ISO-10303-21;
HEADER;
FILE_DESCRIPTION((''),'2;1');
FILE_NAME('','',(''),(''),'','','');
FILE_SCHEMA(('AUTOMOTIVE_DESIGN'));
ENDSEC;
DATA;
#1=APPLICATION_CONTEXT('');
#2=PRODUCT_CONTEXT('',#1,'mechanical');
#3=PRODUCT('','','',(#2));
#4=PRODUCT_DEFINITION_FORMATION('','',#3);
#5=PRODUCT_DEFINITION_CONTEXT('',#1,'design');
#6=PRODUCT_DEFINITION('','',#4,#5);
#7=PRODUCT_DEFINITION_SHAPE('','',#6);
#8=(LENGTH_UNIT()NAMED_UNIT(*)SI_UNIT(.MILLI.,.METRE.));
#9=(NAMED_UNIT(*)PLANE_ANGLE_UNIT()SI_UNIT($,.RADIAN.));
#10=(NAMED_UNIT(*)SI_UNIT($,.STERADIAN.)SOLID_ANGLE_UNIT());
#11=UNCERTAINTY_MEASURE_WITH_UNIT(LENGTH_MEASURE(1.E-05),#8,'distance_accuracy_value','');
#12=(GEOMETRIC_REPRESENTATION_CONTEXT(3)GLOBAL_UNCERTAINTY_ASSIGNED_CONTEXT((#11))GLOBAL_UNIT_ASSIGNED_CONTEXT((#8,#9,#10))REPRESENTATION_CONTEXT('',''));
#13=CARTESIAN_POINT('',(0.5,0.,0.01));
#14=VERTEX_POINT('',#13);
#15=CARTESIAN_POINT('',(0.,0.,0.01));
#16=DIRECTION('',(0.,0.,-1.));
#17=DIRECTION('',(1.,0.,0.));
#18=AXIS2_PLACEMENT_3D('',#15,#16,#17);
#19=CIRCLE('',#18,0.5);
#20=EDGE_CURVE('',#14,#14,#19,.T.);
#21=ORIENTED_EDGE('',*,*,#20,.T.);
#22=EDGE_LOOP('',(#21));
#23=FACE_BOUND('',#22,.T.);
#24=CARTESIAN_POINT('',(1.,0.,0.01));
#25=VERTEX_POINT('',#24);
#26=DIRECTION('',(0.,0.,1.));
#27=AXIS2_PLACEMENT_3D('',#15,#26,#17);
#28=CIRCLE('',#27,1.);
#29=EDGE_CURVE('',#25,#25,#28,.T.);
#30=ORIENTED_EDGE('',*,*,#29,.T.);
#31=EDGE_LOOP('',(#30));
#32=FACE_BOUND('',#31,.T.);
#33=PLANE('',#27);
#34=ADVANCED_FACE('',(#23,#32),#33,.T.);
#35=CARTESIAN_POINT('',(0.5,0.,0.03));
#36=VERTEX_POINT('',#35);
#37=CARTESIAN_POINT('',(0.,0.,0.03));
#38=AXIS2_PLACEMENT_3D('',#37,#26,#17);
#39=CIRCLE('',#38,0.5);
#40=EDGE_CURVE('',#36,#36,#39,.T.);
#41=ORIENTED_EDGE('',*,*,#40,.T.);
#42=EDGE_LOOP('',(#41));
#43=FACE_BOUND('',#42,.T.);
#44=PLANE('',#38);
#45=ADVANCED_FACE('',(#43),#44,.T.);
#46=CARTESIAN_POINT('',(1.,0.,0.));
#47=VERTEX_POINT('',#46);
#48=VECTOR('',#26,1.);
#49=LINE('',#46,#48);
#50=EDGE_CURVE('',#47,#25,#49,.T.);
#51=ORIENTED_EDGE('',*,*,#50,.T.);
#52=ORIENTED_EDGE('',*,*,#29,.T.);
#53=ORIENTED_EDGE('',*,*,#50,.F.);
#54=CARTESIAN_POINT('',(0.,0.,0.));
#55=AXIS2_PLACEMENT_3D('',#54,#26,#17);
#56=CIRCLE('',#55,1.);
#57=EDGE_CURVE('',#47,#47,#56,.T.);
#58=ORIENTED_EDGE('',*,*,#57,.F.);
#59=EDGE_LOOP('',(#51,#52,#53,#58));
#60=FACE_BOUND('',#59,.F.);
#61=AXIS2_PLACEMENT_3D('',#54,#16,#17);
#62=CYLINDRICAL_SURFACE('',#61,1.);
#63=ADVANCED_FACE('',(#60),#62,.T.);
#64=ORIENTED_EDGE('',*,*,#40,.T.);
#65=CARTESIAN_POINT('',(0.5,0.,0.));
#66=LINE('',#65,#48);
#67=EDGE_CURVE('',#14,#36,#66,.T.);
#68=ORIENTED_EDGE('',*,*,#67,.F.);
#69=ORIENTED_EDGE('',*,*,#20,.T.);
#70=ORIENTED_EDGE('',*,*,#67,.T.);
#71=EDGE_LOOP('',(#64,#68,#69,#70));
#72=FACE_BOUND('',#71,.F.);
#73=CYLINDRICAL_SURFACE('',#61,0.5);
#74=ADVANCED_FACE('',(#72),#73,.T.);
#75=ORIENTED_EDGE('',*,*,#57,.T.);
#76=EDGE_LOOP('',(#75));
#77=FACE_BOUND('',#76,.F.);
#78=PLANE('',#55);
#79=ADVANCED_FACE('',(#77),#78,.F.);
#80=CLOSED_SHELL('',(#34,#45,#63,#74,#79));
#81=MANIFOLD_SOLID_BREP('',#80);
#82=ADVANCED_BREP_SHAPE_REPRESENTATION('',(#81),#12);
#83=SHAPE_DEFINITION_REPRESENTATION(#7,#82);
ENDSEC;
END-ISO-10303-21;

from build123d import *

# Parameters (mm, degrees)
CYLINDER001_R     = 1
CYLINDER001_DEPTH = 0.01
CYLINDER_R        = 0.5
CYLINDER_DEPTH    = 0.03


with BuildPart() as cylinder001:
    # Cylinder001 → Cylinder001 (new body)
    with BuildSketch(Plane.XY):
        Circle(CYLINDER001_R)
    extrude(amount=CYLINDER001_DEPTH)


with BuildPart() as fid100x200round:
    # Cylinder → Cylinder (new body)
    with BuildSketch(Plane.XY):
        Circle(CYLINDER_R)
    extrude(amount=CYLINDER_DEPTH)

    # Fusion: union Cylinder001
    add(cylinder001.part)


solid = fid100x200round.part
